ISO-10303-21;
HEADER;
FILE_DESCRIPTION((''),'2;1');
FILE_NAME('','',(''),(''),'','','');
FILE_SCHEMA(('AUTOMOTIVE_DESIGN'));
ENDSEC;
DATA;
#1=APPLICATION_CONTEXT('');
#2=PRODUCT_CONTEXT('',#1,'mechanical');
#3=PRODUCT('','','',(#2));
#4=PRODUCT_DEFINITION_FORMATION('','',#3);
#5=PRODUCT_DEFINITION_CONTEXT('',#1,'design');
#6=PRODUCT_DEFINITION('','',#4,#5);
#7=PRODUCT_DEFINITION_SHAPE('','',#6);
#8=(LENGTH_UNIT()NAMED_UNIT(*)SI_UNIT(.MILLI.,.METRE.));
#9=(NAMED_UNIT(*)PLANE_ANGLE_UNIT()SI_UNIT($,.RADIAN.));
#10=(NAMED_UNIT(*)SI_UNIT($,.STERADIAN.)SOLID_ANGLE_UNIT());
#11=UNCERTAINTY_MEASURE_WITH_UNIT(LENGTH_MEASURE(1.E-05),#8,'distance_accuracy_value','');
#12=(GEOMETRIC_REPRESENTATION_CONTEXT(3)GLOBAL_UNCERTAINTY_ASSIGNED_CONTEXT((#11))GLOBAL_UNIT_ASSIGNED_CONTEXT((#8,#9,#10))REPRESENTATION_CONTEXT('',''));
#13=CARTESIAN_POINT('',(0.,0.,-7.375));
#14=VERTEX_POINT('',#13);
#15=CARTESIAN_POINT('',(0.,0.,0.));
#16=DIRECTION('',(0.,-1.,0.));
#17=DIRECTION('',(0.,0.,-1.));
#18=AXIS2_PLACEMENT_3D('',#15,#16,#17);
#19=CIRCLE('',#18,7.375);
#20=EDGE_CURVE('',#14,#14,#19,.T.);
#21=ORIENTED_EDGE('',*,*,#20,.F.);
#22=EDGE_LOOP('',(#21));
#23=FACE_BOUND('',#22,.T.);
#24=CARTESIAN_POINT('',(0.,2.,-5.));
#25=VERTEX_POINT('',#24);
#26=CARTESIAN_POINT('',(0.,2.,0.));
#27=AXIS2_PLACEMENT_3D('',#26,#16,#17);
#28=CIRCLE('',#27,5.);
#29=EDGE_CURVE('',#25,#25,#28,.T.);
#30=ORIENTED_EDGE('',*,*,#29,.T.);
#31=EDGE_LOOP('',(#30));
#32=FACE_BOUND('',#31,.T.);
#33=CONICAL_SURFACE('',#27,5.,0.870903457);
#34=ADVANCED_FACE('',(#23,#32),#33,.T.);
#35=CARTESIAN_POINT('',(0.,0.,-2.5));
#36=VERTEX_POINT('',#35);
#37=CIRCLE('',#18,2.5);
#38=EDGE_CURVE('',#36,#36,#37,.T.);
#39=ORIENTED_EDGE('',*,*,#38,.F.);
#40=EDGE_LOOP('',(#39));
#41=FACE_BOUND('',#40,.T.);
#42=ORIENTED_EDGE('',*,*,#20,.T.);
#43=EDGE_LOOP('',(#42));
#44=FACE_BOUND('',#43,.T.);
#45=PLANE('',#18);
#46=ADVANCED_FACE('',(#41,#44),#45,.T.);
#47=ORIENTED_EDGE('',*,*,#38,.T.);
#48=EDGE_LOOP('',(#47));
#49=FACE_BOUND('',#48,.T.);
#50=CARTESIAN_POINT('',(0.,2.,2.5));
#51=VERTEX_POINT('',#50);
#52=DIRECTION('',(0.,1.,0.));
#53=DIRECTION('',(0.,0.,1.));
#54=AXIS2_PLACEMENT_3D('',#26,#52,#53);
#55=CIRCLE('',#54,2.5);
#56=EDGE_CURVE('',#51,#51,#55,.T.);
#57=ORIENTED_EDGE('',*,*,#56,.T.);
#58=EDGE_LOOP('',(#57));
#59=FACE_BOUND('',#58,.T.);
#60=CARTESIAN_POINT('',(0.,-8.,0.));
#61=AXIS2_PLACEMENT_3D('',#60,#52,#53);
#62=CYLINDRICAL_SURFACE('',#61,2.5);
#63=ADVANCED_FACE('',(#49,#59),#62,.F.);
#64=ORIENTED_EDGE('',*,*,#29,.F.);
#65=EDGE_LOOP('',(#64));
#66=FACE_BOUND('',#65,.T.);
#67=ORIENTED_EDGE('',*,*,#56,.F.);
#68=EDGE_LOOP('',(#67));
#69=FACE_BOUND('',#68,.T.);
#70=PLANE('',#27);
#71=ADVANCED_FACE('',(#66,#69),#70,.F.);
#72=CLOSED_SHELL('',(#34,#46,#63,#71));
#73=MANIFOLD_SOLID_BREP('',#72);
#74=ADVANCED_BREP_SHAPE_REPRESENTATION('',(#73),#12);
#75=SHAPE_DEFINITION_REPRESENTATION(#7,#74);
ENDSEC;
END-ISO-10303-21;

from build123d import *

# Parameters (mm, degrees)
SKETCH3_R          = 2.5
CUT_EXTRUDE1_DEPTH = 10


with BuildPart() as part:
    # Sketch2 → Revolve4 (revolve)
    with BuildSketch(Plane.XY, mode=Mode.PRIVATE) as revolve4_sk:
        Polygon((0, 0), (-7.375, 0), (-5, 2), (0, 2), align=None)
    revolve(revolve4_sk.sketch.rotate(Axis((0, 0, 0), (0, 1, 0)), 270), axis=Axis((0, 0, 0), (0, 1, 0)))

    # Sketch3 → Cut-Extrude1 (cut)
    with BuildSketch(Plane(origin=(0, 2, 0), x_dir=(1, 0, 0), z_dir=(0, 1, 0))):
        with Locations(Location((0, 0, 0), (0, 0, 270))):
            Circle(SKETCH3_R)
    extrude(amount=-CUT_EXTRUDE1_DEPTH, mode=Mode.SUBTRACT)


solid = part.part
